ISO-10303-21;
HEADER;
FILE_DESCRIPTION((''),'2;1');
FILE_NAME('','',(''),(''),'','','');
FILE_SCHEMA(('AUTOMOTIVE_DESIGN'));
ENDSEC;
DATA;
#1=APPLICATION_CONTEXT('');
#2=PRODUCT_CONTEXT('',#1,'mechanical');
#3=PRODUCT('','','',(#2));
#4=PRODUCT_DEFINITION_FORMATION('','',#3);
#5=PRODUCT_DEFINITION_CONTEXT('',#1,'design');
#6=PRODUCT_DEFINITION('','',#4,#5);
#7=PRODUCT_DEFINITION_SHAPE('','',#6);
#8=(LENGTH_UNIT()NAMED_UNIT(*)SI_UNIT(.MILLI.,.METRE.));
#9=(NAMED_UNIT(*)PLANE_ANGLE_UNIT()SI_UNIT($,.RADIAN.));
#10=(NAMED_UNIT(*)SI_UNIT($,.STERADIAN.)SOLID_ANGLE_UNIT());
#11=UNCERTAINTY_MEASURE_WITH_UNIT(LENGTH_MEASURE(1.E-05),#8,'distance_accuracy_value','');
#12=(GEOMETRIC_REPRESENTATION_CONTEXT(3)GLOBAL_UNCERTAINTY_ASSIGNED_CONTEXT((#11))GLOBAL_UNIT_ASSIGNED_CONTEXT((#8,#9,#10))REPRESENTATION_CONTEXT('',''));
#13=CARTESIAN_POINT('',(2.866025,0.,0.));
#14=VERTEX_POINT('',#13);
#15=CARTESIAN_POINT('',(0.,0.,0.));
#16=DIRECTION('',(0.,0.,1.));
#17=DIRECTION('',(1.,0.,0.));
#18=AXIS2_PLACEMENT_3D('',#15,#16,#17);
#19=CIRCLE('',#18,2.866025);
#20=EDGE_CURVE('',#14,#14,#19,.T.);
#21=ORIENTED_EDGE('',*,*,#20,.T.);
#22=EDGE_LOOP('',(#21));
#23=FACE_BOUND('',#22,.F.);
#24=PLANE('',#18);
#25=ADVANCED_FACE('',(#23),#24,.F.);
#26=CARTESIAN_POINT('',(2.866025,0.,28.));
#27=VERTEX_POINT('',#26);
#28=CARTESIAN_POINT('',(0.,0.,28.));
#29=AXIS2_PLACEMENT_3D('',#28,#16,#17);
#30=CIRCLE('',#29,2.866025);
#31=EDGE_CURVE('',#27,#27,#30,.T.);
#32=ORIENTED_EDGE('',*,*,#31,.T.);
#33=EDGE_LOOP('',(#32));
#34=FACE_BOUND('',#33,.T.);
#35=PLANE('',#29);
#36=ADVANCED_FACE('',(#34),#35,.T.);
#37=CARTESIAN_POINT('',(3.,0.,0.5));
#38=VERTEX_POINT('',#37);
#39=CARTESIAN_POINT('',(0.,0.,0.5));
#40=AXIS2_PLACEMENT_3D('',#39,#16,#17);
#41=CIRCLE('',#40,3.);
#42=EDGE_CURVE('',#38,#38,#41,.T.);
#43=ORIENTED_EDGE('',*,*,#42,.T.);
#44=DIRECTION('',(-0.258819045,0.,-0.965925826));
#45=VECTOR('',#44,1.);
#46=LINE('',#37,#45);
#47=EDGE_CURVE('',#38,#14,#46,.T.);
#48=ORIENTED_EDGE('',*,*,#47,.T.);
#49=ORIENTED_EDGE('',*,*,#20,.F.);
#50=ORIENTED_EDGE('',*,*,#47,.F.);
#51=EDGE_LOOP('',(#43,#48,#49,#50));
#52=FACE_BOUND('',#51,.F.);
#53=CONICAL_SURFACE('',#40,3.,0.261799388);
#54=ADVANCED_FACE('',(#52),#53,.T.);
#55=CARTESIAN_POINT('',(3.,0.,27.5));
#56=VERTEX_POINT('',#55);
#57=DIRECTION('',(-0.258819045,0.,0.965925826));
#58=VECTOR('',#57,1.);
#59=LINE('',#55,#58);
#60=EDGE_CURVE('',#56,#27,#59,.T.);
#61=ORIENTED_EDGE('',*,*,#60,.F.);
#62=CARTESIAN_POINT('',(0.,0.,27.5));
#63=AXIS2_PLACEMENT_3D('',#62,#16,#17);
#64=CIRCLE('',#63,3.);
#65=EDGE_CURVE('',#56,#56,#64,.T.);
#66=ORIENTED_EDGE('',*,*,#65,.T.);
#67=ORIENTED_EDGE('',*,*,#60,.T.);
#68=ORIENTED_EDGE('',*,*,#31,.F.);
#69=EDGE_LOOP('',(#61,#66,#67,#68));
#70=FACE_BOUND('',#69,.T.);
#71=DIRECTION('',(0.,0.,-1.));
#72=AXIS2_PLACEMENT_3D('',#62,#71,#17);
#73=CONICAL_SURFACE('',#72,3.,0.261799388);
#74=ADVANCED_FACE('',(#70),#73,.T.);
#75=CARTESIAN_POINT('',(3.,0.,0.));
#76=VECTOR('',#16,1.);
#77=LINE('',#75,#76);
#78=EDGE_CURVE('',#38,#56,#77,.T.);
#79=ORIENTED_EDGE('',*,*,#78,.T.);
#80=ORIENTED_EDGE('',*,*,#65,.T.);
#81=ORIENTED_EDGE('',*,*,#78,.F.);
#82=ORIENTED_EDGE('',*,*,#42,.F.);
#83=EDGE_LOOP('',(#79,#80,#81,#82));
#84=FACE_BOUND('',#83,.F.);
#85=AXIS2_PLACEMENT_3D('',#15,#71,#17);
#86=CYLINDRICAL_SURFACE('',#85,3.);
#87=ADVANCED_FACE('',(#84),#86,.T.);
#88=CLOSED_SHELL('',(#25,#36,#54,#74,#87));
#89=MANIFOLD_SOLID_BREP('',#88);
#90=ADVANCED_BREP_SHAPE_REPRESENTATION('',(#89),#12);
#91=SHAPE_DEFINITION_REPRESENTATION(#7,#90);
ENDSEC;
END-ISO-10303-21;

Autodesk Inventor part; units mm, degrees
ref_plane "YZ Plane" through (0, 0, 0) normal (1, 0, 0) x (0, 1, 0)
ref_plane "XZ Plane" through (0, 0, 0) normal (0, 1, 0) x (-1, 0, 0)
ref_plane "XY Plane" through (0, 0, 0) normal (0, 0, 1) x (1, 0, 0)
sketch "スケッチ1" plane through (0, 0, 0) normal (0, 0, 1) x (1, 0, 0)
  circle A0 centre (0, 0) radius 3
  dimension "d0" = 6
extrude "押し出し1" add sketch "スケッチ1" along normal blind 28
chamfer "面取り1" distance 0.5 angle 15 2 edges at (-3, 0, 0) (-3, 0, 28) measured on face at (2.9612, -0.4812, 18.6667)
properties part number "平行ピンD6L28" material "ステンレス鋼"
